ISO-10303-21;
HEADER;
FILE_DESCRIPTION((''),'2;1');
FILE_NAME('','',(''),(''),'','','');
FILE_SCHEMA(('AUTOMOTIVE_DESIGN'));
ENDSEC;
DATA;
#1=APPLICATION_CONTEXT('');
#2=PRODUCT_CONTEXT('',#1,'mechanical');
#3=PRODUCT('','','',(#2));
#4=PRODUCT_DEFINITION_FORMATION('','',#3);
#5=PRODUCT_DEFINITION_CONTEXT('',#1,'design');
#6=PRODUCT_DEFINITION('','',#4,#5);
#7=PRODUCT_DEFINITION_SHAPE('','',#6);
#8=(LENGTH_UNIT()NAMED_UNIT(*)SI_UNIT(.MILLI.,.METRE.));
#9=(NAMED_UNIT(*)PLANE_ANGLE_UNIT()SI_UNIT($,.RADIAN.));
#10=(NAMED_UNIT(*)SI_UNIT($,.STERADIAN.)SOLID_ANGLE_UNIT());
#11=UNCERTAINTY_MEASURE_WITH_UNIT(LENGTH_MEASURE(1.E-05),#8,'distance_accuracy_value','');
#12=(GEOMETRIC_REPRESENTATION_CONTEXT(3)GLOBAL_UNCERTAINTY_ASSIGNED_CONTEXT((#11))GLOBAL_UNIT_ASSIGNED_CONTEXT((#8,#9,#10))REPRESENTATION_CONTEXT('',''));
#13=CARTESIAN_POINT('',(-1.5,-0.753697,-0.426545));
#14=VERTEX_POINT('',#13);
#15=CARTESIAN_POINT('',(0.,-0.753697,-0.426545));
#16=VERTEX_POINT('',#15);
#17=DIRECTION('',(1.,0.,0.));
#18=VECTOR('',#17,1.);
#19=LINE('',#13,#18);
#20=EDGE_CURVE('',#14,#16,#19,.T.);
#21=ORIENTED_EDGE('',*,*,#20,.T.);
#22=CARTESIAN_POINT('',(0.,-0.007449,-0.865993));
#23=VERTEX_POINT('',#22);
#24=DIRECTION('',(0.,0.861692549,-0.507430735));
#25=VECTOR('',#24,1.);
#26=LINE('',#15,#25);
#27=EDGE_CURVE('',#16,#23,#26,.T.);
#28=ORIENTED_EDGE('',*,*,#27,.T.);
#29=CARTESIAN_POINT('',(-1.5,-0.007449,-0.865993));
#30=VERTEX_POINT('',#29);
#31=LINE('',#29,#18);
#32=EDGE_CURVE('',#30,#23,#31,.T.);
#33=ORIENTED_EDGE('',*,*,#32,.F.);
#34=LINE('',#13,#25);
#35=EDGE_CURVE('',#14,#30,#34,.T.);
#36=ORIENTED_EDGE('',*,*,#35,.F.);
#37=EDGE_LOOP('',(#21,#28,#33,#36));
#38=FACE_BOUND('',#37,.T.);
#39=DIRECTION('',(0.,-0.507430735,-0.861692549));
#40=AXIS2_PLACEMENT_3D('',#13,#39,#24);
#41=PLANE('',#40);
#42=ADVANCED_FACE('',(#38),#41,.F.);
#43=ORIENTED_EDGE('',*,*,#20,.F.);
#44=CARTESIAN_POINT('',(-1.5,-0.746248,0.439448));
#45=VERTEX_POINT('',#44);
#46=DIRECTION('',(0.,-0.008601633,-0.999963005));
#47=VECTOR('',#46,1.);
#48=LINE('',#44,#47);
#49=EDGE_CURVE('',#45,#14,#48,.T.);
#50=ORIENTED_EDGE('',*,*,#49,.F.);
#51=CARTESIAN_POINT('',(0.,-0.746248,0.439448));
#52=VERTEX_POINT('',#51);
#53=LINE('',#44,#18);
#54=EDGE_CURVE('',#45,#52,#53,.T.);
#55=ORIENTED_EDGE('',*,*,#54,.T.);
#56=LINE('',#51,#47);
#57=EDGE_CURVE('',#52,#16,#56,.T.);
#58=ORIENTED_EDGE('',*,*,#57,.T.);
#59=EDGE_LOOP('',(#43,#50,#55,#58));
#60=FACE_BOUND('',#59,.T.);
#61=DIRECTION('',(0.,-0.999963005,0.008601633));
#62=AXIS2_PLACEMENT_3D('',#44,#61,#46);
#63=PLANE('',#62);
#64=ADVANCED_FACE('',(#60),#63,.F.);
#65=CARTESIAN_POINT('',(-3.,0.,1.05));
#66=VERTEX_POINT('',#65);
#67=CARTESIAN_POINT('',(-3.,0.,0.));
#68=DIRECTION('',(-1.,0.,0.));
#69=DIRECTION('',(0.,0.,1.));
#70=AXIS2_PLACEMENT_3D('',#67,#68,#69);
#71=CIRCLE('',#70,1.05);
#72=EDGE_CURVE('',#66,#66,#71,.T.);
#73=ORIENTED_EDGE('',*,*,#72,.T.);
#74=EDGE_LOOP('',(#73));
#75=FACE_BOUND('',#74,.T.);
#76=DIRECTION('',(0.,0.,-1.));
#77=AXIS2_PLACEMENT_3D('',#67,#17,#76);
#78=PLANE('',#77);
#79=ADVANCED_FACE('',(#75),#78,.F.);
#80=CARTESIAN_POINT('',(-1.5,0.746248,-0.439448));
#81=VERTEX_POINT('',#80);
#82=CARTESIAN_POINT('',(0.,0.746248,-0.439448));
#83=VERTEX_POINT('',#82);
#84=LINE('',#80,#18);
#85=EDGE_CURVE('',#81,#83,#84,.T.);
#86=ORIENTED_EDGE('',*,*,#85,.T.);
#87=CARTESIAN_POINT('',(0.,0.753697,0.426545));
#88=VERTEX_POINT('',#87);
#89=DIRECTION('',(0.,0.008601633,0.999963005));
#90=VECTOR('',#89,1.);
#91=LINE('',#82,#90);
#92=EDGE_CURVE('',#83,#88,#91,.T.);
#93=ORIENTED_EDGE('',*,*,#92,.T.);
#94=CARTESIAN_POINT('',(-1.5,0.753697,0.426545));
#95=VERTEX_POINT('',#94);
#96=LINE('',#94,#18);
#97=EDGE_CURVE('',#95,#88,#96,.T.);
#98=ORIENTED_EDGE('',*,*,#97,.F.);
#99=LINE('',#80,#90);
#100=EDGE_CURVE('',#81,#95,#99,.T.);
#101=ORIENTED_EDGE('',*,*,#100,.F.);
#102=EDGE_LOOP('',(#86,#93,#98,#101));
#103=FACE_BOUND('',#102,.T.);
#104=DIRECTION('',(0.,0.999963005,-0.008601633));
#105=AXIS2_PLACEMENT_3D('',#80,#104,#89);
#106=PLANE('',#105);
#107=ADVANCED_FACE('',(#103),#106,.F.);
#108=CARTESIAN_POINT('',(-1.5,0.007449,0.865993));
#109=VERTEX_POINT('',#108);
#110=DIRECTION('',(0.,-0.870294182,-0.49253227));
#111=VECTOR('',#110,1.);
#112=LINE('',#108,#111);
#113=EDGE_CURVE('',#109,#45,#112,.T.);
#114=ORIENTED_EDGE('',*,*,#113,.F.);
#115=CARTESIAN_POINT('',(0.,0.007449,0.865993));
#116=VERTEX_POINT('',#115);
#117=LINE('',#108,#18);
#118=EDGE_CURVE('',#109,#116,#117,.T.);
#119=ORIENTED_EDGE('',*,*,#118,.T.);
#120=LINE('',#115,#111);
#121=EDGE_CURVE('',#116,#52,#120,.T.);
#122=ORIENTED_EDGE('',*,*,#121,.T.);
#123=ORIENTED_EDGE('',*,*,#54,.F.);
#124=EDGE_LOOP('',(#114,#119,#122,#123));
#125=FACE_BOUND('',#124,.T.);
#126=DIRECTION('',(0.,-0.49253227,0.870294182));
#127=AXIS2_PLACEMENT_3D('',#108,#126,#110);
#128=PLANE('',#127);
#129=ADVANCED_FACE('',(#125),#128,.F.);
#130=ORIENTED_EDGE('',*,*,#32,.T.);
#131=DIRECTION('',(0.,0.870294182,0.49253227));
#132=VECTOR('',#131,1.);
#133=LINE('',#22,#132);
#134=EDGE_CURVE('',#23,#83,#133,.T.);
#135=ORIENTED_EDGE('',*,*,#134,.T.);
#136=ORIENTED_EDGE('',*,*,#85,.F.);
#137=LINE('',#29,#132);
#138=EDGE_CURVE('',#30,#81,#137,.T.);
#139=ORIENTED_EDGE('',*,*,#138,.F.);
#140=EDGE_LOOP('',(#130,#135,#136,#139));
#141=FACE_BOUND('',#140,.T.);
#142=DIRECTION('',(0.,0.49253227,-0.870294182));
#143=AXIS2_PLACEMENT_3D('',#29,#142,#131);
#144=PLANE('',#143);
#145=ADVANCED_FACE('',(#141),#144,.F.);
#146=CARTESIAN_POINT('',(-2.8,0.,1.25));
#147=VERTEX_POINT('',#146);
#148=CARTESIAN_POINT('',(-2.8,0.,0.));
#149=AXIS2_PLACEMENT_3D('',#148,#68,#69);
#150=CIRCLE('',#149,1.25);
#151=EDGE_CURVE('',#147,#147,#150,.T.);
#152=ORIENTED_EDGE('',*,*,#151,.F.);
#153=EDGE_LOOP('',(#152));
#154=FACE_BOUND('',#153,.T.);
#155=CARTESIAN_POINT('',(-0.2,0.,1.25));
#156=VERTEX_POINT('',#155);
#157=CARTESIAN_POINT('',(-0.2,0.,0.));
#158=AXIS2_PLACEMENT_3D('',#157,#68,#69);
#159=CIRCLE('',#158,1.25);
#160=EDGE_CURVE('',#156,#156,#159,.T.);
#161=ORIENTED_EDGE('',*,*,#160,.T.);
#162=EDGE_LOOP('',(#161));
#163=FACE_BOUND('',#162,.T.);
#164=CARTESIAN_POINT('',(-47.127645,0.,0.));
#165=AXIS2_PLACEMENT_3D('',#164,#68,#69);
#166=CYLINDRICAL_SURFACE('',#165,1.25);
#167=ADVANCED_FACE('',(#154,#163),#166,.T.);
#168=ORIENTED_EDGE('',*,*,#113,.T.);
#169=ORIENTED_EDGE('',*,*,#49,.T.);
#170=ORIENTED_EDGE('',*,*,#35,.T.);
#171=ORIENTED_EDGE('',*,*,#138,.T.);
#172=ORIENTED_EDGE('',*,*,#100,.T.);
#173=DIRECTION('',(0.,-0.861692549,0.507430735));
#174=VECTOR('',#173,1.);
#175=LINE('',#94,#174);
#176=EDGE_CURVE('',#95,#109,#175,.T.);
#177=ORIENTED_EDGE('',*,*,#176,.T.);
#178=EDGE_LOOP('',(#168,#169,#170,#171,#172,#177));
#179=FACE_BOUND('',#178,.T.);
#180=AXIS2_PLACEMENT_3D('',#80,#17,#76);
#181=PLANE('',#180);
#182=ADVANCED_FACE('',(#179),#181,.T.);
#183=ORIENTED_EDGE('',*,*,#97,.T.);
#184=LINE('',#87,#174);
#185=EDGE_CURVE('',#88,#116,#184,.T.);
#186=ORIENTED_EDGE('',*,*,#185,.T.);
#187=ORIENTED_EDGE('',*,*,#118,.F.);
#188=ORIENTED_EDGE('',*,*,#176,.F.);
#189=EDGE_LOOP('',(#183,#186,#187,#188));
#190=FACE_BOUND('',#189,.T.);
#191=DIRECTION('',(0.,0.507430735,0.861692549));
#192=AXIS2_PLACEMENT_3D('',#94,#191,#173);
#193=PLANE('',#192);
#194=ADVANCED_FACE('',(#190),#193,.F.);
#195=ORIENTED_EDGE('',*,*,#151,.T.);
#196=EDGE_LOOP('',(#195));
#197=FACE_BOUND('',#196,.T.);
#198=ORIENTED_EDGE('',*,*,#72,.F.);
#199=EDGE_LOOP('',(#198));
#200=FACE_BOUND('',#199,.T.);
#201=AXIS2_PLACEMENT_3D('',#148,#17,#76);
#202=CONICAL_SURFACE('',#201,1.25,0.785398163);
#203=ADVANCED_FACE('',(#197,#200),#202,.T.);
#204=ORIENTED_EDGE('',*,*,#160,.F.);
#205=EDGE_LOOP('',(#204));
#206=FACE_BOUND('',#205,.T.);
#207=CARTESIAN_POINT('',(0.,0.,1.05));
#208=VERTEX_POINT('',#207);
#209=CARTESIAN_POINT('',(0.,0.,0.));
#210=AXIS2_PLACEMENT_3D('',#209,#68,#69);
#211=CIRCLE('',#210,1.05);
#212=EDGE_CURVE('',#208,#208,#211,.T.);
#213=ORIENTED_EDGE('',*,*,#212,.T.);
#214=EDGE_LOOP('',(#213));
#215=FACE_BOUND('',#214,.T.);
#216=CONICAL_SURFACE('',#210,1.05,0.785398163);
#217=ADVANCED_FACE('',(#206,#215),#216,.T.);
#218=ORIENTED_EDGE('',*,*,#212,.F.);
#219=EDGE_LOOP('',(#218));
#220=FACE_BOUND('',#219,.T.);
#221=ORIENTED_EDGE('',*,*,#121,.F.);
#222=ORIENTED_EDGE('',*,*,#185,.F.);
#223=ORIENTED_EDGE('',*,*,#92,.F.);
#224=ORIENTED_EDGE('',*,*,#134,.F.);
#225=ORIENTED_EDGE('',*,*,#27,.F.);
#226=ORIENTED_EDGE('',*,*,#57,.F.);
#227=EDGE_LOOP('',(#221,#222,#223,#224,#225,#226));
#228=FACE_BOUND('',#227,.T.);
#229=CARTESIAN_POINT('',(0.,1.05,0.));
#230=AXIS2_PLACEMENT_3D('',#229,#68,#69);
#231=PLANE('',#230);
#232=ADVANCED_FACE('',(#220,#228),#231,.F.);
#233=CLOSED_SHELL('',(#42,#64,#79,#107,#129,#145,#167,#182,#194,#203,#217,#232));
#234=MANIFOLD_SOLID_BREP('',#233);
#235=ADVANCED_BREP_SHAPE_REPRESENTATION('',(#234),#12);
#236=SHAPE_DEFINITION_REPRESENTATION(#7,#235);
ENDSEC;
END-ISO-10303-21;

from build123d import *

# Parameters (mm, degrees)
ENL_V_MAT_EXTRU_1_DEPTH = 1.5


with BuildPart() as part:
    # Esquisse1 → Révolution1 (revolve)
    with BuildSketch(Plane.XY, mode=Mode.PRIVATE) as r_volution1_sk:
        Polygon((-3, 0), (-3, 1.05), (-2.8, 1.25), (-0.2, 1.25), (0, 1.05), (0, 0), align=None)
    revolve(r_volution1_sk.sketch.rotate(Axis((-47.127645023, 0, 0), (1, 0, 0)), 90), axis=Axis((-47.127645023, 0, 0), (1, 0, 0)))

    # Esquisse2 → Enlèv. mat.-Extru.1 (cut)
    with BuildSketch(Plane(origin=(0, 0, 0), x_dir=(0, 0, -1), z_dir=(1, 0, 0))):
        Polygon((0.439447908, 0.746247638), (-0.426545458, 0.75369687), (-0.865993365, 0.007449233), (-0.439447908, -0.746247638), (0.426545458, -0.75369687), (0.865993365, -0.007449233), align=None)
    extrude(amount=-ENL_V_MAT_EXTRU_1_DEPTH, mode=Mode.SUBTRACT)


solid = part.part
